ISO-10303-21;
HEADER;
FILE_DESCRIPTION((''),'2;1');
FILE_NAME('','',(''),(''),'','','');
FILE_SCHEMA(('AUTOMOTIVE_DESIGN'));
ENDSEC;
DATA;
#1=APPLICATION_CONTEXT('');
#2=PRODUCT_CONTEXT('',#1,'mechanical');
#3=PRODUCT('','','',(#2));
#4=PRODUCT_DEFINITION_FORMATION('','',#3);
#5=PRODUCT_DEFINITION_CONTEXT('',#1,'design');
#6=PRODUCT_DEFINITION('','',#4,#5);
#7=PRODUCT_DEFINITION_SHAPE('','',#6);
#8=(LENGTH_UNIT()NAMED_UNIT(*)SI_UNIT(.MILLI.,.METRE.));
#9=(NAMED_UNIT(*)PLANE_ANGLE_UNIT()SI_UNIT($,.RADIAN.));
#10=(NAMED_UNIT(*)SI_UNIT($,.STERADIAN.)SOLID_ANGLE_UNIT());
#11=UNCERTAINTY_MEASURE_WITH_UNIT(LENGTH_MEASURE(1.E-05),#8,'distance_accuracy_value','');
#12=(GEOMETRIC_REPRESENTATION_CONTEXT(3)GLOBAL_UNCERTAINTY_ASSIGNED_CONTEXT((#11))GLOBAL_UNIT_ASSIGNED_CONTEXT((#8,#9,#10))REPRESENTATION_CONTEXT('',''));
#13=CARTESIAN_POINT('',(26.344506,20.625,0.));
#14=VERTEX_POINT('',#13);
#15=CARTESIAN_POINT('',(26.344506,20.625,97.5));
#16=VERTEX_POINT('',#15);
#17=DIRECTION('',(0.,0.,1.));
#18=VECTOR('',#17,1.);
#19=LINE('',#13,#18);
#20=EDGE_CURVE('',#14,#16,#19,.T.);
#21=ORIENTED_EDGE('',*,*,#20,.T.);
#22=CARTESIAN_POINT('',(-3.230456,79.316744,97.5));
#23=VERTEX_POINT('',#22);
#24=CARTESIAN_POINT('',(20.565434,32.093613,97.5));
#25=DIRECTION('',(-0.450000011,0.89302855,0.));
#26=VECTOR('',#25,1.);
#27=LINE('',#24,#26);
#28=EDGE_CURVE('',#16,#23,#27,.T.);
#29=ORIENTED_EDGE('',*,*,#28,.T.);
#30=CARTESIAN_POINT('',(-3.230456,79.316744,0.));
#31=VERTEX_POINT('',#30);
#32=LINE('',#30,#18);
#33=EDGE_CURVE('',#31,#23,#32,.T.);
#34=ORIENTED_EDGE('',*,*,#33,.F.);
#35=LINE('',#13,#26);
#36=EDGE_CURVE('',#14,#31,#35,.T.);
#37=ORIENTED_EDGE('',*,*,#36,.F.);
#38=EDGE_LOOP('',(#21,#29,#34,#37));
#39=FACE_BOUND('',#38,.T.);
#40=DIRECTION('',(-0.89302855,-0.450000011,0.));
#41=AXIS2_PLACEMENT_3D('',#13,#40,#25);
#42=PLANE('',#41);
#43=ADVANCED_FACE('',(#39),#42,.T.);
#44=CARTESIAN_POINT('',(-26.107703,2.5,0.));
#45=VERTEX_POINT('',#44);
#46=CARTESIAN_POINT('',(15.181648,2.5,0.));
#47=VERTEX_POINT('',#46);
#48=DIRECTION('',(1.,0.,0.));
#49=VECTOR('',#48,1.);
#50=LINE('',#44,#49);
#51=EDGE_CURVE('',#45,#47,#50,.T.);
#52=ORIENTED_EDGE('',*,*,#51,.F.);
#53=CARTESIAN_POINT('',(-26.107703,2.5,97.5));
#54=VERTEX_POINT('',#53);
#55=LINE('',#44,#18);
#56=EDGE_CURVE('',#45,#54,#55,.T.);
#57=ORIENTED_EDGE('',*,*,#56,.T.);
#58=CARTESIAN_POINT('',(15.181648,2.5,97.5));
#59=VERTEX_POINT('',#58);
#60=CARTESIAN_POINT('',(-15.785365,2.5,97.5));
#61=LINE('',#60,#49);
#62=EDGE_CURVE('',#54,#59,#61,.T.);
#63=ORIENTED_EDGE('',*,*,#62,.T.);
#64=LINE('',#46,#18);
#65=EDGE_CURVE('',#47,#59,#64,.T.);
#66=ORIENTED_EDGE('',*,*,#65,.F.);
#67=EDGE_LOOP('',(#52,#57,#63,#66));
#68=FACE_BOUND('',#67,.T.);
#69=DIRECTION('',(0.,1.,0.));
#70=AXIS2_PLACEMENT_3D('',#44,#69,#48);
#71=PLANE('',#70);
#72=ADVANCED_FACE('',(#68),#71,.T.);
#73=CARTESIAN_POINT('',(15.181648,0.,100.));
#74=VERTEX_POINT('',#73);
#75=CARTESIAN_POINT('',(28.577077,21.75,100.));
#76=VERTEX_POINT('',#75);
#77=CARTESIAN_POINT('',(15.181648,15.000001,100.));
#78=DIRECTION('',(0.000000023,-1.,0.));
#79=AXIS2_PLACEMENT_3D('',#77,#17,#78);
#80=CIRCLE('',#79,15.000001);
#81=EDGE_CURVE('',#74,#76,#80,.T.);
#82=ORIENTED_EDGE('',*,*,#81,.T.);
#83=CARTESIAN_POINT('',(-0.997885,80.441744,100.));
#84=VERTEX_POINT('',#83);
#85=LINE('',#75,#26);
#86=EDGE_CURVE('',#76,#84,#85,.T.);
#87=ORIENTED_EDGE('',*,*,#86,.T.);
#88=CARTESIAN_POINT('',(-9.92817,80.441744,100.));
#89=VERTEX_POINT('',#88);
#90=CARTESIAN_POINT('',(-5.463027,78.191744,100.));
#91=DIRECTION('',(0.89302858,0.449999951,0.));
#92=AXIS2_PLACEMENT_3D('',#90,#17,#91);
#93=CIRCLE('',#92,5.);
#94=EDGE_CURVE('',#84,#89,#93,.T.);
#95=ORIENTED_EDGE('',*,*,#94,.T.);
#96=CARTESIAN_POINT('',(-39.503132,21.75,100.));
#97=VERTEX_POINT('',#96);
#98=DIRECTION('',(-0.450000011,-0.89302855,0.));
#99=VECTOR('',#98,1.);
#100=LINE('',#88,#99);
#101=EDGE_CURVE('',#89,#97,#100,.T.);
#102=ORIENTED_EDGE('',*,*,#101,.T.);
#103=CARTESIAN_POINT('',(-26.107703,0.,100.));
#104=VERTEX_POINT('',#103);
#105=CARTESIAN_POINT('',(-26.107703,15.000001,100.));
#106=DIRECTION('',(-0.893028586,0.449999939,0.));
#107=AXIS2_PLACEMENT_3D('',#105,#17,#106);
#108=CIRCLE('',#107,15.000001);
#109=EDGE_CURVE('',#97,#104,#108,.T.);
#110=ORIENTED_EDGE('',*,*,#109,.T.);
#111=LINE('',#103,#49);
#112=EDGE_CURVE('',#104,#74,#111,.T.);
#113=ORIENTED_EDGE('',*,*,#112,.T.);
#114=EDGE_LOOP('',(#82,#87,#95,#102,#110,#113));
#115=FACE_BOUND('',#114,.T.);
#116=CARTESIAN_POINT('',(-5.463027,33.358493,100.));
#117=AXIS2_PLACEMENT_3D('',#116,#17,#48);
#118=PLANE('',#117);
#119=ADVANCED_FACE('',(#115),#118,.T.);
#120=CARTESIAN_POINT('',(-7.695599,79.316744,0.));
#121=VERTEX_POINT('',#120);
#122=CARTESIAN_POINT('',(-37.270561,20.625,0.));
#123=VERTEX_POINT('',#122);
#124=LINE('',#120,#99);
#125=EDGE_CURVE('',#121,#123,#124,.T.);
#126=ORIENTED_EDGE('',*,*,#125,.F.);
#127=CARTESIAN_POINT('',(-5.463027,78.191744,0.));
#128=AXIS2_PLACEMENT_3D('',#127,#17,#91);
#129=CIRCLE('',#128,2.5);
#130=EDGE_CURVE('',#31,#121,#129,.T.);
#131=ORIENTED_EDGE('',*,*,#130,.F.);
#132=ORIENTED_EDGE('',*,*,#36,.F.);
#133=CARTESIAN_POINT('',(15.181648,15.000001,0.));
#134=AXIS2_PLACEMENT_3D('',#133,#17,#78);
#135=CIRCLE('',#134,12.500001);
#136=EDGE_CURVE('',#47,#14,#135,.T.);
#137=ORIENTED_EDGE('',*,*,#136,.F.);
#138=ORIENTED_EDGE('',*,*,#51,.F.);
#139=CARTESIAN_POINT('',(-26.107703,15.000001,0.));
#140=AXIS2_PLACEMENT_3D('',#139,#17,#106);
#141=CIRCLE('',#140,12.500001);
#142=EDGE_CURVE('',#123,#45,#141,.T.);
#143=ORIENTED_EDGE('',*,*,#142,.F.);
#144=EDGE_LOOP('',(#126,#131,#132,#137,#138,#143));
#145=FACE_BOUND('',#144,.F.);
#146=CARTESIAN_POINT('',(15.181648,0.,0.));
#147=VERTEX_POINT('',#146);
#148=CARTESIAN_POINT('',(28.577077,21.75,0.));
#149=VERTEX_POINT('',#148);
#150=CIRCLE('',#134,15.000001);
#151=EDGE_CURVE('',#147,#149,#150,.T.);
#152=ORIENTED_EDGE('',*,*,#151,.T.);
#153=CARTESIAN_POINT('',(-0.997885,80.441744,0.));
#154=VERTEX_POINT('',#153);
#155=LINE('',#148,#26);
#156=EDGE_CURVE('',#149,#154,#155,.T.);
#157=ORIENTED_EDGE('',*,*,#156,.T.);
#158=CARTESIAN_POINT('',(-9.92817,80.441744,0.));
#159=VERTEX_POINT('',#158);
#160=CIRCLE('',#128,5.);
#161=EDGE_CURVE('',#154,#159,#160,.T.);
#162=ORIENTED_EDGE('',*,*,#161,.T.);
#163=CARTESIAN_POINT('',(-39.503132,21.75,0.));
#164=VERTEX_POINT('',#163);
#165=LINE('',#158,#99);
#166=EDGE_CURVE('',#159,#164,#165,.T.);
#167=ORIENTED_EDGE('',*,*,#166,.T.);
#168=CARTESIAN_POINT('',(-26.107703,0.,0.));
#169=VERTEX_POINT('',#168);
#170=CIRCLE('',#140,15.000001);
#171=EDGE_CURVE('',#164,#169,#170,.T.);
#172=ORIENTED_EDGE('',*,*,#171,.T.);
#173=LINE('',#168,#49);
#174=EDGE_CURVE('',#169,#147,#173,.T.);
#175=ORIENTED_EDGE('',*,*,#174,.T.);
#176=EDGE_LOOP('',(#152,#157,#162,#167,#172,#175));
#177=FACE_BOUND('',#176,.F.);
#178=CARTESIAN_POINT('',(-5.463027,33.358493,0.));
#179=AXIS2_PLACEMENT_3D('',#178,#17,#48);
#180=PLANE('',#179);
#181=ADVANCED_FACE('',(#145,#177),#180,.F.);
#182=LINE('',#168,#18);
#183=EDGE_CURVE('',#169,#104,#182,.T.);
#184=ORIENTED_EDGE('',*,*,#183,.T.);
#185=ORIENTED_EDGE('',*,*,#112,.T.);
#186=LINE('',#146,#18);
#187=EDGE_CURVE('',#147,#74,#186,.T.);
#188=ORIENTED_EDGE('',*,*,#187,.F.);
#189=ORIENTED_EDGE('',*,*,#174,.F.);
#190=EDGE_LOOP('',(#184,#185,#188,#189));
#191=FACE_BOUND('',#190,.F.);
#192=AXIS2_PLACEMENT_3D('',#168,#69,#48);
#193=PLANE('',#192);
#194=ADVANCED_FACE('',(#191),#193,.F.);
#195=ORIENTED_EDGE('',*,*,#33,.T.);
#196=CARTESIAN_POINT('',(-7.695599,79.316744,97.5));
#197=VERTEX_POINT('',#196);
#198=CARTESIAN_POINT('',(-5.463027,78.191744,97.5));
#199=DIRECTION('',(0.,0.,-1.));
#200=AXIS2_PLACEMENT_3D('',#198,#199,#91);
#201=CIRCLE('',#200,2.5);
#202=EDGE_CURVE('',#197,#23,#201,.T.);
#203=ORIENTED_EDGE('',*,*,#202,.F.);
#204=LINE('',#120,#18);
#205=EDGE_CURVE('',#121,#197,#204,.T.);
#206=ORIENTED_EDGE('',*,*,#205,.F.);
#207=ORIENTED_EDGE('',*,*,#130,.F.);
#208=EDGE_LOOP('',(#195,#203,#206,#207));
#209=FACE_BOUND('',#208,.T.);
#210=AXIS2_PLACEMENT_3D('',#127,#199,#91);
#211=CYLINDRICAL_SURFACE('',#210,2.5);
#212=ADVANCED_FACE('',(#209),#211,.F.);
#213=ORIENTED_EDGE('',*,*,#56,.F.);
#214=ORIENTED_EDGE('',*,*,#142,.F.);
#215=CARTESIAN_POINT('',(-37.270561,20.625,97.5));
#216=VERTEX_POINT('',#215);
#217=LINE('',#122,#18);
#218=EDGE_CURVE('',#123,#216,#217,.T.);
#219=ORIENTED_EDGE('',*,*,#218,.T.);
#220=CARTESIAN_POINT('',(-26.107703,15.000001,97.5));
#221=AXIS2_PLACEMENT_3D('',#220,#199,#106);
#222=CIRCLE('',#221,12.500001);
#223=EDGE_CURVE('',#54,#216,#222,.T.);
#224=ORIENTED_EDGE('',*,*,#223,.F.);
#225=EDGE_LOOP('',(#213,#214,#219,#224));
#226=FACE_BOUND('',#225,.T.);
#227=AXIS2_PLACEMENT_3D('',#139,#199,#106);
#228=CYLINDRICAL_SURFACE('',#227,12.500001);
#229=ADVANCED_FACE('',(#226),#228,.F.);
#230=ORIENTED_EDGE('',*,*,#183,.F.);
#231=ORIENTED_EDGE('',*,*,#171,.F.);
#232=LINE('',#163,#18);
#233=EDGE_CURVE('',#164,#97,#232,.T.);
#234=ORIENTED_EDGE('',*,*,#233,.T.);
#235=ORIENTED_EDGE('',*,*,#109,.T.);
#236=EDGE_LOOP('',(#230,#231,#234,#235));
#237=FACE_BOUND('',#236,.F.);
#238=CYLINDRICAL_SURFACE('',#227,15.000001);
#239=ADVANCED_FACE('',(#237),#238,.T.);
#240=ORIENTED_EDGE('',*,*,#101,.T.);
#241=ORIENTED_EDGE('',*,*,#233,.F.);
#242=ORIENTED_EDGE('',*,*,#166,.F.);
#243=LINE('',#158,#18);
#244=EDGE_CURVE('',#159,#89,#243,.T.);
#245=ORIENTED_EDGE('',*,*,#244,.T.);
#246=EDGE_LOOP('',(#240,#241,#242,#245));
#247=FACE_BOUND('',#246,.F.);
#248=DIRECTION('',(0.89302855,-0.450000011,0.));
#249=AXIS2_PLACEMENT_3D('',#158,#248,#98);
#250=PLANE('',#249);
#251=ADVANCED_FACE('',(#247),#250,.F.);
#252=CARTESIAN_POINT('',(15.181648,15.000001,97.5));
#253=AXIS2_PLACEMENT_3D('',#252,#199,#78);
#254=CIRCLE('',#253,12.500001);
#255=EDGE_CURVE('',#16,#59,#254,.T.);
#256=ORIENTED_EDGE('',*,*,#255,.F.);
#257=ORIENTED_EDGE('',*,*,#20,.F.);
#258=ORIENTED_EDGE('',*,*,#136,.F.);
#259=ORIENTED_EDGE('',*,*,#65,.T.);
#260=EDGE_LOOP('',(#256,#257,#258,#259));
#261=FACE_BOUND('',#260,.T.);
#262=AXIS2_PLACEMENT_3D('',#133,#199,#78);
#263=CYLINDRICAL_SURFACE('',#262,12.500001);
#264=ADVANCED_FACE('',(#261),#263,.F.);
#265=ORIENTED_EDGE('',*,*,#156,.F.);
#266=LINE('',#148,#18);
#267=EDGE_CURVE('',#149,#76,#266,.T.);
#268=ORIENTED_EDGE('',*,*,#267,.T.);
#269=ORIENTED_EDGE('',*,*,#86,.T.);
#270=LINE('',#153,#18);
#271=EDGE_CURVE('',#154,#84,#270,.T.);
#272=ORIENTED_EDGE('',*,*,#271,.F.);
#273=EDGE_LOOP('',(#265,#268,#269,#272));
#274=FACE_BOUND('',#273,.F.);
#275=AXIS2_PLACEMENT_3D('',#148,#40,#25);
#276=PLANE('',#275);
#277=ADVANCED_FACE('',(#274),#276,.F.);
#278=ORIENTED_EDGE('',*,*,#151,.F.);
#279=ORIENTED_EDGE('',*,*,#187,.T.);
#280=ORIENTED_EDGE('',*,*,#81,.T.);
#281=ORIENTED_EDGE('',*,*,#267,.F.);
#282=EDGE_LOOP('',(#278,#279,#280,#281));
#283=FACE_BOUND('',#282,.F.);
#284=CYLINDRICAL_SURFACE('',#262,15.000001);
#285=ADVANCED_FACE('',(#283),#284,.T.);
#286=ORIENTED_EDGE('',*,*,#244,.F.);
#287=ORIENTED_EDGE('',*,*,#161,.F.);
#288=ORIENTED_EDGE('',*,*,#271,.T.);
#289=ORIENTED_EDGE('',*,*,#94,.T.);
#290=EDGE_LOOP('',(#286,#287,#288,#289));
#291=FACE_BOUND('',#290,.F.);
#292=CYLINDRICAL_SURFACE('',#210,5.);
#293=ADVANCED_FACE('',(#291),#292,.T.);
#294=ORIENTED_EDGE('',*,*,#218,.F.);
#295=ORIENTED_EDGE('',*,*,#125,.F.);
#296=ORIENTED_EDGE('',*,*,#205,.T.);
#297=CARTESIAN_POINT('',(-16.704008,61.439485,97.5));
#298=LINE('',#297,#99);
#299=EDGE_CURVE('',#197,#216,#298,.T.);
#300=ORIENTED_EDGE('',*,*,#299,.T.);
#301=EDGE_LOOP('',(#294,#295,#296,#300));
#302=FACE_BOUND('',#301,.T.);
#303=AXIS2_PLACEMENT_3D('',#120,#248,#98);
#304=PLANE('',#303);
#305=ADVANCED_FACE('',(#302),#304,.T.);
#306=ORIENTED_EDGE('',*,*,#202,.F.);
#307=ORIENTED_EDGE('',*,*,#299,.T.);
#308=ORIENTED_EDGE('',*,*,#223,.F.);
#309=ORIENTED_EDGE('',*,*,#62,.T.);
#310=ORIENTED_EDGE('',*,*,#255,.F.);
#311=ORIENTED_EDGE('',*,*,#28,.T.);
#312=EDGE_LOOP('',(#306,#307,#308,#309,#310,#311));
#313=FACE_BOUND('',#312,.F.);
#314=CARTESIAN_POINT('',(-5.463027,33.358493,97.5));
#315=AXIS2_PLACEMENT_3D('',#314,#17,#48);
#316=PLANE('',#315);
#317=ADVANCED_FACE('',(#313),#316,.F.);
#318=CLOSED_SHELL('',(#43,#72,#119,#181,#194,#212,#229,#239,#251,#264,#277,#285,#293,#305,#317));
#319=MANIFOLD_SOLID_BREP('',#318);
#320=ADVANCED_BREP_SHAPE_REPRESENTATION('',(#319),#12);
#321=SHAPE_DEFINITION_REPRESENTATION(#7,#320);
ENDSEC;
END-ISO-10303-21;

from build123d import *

# Parameters (mm, degrees)
F1_DEPTH = 100
F2_T     = -2.5


with BuildPart() as f1:
    # F0 (on Top) → F1 (new body)
    with BuildSketch(Plane.XY):
        with BuildLine():
            ThreePointArc((-0.997885, 80.441744), (-5.463028, 83.191744), (-9.92817, 80.441744))
            Line((-9.92817, 80.441744), (-39.503132, 21.75))
            ThreePointArc((-39.503132, 21.75), (-38.879743, 7.133934), (-26.107703, 0))
            Line((-26.107703, 0), (15.181648, 0))
            ThreePointArc((15.181648, 0), (27.953688, 7.133934), (28.577077, 21.75))
            Line((28.577077, 21.75), (-0.997885, 80.441744))
        make_face()
    extrude(amount=F1_DEPTH)

    # F2
    f2_openings = [f1.faces().sort_by_distance(p)[0] for p in [
        (-5.463028, 31.232566, 0),
    ]]
    offset(amount=F2_T, openings=f2_openings)


solid = f1.part
